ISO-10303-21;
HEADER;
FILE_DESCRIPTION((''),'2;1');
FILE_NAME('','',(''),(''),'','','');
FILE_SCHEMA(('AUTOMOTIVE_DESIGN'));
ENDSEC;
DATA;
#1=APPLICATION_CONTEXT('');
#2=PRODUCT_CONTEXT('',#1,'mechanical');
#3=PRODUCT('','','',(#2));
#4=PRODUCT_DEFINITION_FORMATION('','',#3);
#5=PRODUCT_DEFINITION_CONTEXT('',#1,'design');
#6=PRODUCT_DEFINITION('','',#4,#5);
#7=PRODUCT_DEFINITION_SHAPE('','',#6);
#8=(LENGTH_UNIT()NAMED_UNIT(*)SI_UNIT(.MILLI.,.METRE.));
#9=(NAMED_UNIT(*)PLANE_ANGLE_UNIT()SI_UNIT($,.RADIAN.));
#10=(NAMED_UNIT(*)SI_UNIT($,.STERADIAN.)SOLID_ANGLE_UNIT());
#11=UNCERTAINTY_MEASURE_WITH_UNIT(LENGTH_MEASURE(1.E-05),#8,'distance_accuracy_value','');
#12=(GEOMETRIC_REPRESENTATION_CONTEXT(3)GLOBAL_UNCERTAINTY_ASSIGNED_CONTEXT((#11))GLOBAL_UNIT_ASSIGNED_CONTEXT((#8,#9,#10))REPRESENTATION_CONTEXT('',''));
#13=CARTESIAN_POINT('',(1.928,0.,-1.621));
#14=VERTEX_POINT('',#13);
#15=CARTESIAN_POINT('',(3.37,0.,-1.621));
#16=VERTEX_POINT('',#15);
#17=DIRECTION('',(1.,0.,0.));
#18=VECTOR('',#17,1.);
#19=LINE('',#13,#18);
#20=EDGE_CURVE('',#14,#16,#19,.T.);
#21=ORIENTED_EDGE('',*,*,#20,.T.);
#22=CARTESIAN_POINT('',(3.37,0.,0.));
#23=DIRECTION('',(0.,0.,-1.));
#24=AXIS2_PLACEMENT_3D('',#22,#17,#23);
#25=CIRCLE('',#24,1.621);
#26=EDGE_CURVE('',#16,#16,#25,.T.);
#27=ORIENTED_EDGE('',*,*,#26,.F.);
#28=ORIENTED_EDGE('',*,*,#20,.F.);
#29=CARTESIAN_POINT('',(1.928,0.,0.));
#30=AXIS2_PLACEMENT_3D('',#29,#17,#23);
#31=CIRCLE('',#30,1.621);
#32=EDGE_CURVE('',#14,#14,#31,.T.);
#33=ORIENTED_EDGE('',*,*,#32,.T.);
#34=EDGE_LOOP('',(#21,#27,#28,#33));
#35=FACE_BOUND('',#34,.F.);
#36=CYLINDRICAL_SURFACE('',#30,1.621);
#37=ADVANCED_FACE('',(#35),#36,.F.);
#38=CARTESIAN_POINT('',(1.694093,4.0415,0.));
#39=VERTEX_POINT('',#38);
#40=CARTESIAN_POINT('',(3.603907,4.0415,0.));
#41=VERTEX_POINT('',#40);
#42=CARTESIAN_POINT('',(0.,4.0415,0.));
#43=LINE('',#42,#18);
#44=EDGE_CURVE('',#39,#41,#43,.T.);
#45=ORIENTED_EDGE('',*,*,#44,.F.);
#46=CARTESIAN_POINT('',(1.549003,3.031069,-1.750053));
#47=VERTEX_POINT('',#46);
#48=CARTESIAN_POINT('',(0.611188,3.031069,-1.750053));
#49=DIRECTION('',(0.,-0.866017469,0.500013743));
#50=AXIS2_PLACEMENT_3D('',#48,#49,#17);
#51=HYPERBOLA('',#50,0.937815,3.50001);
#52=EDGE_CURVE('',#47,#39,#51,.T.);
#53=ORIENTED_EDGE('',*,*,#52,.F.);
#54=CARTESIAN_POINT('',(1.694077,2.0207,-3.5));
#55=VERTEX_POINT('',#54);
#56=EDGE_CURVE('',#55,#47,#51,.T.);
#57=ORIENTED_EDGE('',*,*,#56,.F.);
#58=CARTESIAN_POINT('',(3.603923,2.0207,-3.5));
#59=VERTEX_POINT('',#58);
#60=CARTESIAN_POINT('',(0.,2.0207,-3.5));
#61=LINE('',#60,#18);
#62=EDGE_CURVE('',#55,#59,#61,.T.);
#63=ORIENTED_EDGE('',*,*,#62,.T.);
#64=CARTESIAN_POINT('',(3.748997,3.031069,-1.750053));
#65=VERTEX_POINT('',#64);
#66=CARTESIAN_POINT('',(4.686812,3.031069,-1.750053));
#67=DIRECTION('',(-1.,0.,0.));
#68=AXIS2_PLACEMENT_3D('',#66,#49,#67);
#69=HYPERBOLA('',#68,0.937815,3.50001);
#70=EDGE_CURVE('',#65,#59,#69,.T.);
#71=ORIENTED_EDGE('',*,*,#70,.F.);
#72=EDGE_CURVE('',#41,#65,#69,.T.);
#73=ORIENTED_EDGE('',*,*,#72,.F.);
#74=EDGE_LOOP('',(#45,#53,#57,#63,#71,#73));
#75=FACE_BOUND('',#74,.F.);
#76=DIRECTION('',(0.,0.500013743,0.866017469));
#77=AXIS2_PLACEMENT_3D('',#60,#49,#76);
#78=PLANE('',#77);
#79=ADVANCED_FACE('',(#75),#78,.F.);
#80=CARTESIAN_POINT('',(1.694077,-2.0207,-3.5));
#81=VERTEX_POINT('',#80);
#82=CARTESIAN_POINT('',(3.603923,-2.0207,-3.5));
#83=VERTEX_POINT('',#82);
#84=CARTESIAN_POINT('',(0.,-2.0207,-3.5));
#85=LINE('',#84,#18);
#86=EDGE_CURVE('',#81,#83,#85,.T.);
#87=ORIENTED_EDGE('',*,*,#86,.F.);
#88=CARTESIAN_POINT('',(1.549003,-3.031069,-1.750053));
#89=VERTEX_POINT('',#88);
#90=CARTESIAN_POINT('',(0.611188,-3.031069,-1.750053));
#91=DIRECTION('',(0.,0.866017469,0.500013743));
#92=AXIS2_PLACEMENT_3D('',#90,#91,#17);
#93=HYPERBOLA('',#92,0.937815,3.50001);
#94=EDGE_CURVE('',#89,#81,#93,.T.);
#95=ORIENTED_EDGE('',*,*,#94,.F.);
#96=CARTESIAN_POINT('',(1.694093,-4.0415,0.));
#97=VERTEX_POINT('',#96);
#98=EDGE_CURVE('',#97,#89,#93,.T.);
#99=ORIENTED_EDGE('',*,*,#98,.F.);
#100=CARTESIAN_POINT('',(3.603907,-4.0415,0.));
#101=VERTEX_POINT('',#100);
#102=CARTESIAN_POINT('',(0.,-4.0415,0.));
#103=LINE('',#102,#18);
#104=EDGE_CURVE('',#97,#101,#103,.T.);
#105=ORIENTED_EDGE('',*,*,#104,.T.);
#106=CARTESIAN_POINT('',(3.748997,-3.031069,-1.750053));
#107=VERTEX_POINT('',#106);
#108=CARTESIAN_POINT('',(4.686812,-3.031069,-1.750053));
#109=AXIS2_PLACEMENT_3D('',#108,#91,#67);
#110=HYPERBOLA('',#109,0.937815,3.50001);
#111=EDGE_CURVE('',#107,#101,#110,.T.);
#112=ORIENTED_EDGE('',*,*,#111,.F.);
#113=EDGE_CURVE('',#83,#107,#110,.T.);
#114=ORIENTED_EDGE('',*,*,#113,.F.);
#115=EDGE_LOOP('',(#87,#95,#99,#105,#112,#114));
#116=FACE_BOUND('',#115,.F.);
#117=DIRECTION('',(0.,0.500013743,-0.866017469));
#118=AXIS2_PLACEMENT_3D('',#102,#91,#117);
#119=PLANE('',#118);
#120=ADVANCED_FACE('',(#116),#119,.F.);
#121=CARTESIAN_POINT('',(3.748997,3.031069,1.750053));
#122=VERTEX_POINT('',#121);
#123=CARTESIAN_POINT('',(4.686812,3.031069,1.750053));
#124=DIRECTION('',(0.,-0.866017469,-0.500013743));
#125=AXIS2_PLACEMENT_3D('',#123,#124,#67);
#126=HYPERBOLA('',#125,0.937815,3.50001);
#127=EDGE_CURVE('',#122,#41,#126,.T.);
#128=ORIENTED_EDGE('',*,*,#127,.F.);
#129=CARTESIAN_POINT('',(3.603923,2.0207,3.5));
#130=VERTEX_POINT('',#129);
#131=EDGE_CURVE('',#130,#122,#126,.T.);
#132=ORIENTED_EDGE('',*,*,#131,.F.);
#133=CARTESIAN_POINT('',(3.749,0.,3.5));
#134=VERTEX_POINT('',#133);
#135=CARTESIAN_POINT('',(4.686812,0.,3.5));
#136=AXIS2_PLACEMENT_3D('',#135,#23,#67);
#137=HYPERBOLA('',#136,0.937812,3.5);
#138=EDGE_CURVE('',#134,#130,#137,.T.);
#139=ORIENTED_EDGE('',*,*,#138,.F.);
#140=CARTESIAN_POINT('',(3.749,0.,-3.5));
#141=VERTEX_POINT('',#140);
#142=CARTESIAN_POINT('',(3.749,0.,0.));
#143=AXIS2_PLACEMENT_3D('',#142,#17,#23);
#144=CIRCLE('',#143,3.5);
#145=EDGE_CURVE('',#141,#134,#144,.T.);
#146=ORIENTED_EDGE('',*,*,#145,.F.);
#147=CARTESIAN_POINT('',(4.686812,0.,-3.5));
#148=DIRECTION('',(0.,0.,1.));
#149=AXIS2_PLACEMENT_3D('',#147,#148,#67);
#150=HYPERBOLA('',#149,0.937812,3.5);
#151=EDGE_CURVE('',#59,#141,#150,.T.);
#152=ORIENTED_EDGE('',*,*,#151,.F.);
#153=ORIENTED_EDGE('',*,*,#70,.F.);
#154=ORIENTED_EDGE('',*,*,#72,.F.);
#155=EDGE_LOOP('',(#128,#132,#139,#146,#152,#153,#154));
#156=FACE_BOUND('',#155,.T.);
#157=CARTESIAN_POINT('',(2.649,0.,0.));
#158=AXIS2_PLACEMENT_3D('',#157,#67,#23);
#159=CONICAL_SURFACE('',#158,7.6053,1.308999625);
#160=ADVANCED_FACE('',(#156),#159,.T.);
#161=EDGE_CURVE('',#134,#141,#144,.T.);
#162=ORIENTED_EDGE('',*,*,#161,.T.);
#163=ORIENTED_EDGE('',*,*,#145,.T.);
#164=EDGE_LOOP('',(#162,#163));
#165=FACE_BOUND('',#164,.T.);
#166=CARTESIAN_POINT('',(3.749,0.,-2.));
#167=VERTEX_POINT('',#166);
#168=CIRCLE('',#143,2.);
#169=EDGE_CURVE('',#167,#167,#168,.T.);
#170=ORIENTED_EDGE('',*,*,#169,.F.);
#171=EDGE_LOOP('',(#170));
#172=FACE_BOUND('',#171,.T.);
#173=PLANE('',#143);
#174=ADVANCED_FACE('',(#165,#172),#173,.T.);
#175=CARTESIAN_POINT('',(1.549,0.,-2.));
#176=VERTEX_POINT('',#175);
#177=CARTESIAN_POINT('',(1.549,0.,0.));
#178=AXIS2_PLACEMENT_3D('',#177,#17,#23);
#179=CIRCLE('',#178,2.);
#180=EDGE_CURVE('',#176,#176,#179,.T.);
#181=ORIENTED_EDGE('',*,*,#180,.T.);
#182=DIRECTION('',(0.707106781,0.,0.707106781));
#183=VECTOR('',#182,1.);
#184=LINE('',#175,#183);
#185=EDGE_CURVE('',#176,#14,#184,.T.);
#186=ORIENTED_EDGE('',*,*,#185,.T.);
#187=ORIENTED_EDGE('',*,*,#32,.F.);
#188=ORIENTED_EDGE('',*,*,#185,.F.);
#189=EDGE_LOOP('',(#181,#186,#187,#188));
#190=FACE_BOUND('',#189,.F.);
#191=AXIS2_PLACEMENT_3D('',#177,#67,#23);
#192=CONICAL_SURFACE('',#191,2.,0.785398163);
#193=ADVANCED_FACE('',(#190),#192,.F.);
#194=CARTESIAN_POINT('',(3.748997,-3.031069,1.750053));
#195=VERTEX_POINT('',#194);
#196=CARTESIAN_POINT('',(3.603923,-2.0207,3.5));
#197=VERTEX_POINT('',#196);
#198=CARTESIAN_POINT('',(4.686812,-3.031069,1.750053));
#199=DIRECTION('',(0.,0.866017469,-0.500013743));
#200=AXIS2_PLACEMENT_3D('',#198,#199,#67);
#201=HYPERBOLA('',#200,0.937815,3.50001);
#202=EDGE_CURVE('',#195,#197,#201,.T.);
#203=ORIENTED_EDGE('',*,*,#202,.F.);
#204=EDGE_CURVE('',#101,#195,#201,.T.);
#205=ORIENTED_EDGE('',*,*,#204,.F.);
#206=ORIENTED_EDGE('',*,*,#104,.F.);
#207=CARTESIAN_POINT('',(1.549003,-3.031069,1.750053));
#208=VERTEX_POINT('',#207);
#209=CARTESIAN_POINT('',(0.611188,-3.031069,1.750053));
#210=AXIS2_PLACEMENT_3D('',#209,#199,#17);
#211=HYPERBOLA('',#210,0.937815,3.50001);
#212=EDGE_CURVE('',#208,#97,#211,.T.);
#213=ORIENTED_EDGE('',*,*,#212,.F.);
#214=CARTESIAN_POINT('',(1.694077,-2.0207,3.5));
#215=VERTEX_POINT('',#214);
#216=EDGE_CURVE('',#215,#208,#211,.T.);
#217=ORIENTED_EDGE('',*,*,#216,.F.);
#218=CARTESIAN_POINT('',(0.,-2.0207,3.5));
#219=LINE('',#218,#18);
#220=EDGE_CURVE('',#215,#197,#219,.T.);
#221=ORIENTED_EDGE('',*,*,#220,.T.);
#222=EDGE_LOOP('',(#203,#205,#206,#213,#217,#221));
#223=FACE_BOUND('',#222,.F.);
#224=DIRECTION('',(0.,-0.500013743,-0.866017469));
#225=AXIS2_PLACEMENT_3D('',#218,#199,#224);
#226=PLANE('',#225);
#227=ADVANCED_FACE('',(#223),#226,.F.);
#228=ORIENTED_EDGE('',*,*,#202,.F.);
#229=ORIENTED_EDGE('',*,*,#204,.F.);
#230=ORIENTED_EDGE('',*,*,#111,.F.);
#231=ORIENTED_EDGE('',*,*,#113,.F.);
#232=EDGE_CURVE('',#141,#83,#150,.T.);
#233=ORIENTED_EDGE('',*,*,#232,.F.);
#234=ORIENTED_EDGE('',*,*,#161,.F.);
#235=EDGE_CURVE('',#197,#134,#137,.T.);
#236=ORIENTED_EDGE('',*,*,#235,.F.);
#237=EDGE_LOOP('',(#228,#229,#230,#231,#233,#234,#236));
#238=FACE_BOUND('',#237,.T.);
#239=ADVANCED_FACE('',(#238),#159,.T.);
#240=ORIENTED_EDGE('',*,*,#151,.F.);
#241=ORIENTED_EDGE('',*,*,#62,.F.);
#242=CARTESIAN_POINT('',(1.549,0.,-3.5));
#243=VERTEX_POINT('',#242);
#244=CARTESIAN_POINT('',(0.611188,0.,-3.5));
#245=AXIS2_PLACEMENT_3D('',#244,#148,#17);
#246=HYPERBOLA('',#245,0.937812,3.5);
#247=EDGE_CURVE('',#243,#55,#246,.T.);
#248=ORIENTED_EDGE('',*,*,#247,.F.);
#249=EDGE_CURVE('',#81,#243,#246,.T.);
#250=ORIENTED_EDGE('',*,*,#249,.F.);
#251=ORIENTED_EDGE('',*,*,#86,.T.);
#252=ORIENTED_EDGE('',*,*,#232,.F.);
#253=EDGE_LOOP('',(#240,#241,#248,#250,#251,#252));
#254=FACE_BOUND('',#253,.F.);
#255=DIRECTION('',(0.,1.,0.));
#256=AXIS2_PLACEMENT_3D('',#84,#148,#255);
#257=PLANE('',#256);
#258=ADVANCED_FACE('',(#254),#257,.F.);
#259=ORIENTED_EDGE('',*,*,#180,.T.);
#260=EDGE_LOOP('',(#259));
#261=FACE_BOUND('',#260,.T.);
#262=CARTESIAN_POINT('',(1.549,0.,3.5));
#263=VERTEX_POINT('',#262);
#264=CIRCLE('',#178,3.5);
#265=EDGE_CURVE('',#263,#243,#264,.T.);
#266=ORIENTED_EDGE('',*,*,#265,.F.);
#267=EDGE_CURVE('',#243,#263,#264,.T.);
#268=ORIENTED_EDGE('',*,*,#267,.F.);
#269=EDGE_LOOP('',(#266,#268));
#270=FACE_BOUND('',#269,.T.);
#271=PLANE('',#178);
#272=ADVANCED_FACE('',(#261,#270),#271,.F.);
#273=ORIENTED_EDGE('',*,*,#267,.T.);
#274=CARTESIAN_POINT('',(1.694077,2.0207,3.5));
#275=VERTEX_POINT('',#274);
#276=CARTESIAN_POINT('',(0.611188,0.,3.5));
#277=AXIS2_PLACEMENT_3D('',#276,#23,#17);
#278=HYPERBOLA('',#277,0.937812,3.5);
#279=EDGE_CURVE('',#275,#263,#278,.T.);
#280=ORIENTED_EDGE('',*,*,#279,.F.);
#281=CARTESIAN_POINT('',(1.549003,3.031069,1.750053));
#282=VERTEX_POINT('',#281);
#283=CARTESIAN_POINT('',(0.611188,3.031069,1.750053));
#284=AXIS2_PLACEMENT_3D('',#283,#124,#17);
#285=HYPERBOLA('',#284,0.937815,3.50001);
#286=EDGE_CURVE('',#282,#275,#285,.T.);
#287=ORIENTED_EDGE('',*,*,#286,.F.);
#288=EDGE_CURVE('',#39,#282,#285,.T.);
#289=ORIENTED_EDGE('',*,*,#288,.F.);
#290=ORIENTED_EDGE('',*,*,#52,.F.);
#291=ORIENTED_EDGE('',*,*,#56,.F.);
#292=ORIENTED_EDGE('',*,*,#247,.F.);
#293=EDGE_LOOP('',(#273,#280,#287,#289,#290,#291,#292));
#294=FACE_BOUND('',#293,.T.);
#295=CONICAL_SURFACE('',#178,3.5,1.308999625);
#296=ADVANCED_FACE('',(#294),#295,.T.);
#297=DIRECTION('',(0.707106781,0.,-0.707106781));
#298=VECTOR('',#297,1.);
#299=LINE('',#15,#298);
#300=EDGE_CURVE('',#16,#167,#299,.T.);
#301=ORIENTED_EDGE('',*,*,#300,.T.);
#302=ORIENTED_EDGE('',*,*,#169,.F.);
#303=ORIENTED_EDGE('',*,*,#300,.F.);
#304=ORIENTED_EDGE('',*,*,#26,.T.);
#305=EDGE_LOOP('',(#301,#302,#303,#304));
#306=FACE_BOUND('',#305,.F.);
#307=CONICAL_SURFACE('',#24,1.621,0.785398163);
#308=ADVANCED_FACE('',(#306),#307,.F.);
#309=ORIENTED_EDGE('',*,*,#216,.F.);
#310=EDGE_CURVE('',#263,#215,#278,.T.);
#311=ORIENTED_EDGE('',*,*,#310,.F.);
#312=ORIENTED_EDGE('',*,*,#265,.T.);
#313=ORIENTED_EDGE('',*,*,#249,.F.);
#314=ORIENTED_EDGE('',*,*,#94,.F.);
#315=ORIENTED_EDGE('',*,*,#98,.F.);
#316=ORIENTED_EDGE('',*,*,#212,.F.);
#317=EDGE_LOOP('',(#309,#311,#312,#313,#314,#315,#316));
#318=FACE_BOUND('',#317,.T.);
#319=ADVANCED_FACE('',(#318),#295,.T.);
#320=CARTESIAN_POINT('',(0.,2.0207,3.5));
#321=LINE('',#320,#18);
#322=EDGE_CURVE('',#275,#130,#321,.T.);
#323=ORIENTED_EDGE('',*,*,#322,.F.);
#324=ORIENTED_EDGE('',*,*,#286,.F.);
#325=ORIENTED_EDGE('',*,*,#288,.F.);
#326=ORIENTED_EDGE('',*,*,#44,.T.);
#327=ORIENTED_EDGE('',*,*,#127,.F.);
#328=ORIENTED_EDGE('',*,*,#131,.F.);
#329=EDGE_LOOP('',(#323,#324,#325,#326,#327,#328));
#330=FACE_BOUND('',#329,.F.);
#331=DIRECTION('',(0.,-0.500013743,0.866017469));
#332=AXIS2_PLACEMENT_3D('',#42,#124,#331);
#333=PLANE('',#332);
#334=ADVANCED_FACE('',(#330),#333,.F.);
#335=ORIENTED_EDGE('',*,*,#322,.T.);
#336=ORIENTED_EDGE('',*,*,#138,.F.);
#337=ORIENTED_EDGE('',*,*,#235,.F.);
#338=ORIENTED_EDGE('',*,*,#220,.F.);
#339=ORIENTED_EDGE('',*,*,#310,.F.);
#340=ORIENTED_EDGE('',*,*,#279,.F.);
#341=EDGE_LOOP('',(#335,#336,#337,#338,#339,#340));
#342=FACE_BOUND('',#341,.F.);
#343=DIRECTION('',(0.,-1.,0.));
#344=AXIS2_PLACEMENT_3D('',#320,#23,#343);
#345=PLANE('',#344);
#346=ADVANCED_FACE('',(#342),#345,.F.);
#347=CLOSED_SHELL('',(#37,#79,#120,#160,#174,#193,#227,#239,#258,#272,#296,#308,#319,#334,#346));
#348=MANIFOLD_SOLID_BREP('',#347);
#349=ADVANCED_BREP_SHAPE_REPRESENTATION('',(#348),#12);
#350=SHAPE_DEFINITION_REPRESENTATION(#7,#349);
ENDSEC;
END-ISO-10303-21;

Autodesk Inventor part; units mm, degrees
sketch "Skizze_1" plane through (0, 0, 0) normal (0, 1, 0) x (-1, 0, 0)
  line L0 (-3.749, 0) -> (-1.549, 0)
  line L1 (-1.549, 0) -> (-1.549, -3.5)
  line L2 (-1.549, -3.5) -> (-2.649, -7.6053)
  line L3 (-2.649, -7.6053) -> (-3.749, -3.5)
  line L4 (-3.749, -3.5) -> (-3.749, 0)
  line L5 (-3.749, 0) -> (-1.549, 0)
revolve "Revolution1" add sketch "Skizze_1" angle 360 about axis through (3.749, 0, 0) along (1, 0, 0)
sketch "Skizze_2" plane through (0, 0, 0) normal (1, 0, 0) x (0, 1, 0)
  line L0 (-35, 26) -> (-35, -52)
  line L1 (-35, -52) -> (26, -52)
  line L2 (26, -52) -> (26, 26)
  line L3 (26, 26) -> (-35, 26)
  line L4 (-2.0207, 3.5) -> (-4.0415, 0)
  line L5 (-4.0415, 0) -> (-2.0207, -3.5)
  line L6 (-2.0207, -3.5) -> (2.0207, -3.5)
  line L7 (2.0207, -3.5) -> (4.0415, 0)
  line L8 (4.0415, 0) -> (2.0207, 3.5)
  line L9 (2.0207, 3.5) -> (-2.0207, 3.5)
extrude "Extrusion1" cut sketch "Skizze_2" along normal blind 10
sketch "Skizze_3" plane through (0, 0, 0) normal (0, 1, 0) x (-1, 0, 0)
  line L0 (-3.749, 0) -> (-1.549, 0)
  line L1 (-1.549, 0) -> (-1.549, -2)
  line L2 (-1.549, -2) -> (-1.928, -1.621)
  line L3 (-1.928, -1.621) -> (-3.37, -1.621)
  line L4 (-3.37, -1.621) -> (-3.749, -2)
  line L5 (-3.749, -2) -> (-3.749, 0)
  line L6 (-3.749, 0) -> (-1.549, 0)
revolve "Revolution2" cut sketch "Skizze_3" angle 360 about axis through (3.749, 0, 0) along (1, 0, 0)
thread "Thread1" size "M4x0.7" class "6H" standard "ISO Metric profile" full length
ref_plane "M_XY" through (0, 0, 0) normal (1, 0, 0) x (0, 0, -1)
ref_plane "M_YZ" through (0, 0, 0) normal (0, 0, -1) x (0, 1, 0)
ref_plane "M_ZX" through (0, 0, 0) normal (0, 1, 0) x (1, 0, 0)
properties part number "205-S-M"
